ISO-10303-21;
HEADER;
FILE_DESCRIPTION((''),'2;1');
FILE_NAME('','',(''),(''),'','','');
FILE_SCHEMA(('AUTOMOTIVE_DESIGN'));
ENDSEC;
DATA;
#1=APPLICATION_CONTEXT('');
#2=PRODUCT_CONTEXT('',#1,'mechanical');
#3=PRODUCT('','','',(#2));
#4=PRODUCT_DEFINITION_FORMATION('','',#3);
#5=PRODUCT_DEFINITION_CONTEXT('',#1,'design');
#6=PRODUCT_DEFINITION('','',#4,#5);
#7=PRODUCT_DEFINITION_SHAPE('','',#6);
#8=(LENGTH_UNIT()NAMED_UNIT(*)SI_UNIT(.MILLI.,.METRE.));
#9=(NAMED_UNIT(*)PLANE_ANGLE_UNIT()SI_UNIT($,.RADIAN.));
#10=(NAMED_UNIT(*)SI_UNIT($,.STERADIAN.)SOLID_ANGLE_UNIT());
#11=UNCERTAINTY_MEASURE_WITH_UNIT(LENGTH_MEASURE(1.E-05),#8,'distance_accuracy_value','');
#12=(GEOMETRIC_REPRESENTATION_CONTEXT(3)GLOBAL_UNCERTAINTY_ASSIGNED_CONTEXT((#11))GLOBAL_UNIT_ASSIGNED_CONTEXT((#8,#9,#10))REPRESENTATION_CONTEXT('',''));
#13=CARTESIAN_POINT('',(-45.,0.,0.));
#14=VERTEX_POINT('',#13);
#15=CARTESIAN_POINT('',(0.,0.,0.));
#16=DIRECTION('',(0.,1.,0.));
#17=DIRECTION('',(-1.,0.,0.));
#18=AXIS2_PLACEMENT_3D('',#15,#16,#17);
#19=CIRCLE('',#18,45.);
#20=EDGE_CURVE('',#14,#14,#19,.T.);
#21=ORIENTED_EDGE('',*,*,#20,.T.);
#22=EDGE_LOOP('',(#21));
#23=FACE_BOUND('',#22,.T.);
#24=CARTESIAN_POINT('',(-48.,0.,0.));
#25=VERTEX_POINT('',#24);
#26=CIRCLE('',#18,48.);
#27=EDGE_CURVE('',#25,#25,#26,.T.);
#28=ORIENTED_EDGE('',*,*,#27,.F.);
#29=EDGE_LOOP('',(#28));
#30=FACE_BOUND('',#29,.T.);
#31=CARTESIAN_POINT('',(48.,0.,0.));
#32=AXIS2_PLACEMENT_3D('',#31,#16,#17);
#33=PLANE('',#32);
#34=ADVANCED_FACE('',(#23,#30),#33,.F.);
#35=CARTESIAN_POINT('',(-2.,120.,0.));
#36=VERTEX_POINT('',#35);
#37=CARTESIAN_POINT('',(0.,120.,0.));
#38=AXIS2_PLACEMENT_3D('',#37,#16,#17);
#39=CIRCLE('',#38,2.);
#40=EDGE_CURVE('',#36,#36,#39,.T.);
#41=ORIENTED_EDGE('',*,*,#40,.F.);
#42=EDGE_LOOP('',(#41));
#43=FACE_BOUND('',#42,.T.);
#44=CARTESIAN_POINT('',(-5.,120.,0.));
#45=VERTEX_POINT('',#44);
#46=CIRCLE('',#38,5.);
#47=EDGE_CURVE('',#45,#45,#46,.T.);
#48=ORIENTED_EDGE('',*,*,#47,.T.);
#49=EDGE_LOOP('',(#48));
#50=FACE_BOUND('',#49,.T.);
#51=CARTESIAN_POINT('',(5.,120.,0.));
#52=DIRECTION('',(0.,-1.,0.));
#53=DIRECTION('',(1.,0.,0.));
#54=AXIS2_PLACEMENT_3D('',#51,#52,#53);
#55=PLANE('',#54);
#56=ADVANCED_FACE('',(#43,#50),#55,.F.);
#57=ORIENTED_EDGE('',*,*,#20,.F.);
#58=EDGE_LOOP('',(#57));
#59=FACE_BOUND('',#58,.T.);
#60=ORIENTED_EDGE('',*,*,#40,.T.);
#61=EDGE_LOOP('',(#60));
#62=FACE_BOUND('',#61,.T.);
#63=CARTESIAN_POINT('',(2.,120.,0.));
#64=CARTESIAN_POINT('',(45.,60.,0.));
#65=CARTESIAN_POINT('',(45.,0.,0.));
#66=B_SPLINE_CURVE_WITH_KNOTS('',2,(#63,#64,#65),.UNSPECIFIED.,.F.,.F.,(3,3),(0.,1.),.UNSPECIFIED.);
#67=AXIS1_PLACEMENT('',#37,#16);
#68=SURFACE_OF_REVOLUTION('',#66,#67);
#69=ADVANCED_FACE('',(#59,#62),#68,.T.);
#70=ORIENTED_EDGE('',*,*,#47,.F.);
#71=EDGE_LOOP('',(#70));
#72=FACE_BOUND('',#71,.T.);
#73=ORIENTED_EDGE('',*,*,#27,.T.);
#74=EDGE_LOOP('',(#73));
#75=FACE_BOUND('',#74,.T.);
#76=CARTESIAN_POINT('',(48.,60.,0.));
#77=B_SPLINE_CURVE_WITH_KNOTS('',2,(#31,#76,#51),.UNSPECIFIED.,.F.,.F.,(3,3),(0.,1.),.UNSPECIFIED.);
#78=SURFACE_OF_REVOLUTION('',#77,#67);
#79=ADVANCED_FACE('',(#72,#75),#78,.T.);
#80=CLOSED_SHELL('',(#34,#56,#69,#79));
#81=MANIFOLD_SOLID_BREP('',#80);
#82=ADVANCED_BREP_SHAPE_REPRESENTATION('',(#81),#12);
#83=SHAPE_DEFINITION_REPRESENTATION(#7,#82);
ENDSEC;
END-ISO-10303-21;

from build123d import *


with BuildPart() as part:
    # Sketch12 → Revolve9 (revolve)
    with BuildSketch(Plane.XY):
        with BuildLine():
            Line((5, 120), (2, 120))
            add(Edge.make_bspline(
                [(45, 0), (45, 60), (2, 120)],
                knots=[0, 0, 0, 1, 1, 1], degree=2))
            Line((45, 0), (48, 0))
            add(Edge.make_bspline(
                [(48, 0), (48, 60), (5, 120)],
                knots=[0, 0, 0, 1, 1, 1], degree=2))
        make_face()
    revolve(axis=Axis((0, 120, 0), (0, -1, 0)))


solid = part.part
